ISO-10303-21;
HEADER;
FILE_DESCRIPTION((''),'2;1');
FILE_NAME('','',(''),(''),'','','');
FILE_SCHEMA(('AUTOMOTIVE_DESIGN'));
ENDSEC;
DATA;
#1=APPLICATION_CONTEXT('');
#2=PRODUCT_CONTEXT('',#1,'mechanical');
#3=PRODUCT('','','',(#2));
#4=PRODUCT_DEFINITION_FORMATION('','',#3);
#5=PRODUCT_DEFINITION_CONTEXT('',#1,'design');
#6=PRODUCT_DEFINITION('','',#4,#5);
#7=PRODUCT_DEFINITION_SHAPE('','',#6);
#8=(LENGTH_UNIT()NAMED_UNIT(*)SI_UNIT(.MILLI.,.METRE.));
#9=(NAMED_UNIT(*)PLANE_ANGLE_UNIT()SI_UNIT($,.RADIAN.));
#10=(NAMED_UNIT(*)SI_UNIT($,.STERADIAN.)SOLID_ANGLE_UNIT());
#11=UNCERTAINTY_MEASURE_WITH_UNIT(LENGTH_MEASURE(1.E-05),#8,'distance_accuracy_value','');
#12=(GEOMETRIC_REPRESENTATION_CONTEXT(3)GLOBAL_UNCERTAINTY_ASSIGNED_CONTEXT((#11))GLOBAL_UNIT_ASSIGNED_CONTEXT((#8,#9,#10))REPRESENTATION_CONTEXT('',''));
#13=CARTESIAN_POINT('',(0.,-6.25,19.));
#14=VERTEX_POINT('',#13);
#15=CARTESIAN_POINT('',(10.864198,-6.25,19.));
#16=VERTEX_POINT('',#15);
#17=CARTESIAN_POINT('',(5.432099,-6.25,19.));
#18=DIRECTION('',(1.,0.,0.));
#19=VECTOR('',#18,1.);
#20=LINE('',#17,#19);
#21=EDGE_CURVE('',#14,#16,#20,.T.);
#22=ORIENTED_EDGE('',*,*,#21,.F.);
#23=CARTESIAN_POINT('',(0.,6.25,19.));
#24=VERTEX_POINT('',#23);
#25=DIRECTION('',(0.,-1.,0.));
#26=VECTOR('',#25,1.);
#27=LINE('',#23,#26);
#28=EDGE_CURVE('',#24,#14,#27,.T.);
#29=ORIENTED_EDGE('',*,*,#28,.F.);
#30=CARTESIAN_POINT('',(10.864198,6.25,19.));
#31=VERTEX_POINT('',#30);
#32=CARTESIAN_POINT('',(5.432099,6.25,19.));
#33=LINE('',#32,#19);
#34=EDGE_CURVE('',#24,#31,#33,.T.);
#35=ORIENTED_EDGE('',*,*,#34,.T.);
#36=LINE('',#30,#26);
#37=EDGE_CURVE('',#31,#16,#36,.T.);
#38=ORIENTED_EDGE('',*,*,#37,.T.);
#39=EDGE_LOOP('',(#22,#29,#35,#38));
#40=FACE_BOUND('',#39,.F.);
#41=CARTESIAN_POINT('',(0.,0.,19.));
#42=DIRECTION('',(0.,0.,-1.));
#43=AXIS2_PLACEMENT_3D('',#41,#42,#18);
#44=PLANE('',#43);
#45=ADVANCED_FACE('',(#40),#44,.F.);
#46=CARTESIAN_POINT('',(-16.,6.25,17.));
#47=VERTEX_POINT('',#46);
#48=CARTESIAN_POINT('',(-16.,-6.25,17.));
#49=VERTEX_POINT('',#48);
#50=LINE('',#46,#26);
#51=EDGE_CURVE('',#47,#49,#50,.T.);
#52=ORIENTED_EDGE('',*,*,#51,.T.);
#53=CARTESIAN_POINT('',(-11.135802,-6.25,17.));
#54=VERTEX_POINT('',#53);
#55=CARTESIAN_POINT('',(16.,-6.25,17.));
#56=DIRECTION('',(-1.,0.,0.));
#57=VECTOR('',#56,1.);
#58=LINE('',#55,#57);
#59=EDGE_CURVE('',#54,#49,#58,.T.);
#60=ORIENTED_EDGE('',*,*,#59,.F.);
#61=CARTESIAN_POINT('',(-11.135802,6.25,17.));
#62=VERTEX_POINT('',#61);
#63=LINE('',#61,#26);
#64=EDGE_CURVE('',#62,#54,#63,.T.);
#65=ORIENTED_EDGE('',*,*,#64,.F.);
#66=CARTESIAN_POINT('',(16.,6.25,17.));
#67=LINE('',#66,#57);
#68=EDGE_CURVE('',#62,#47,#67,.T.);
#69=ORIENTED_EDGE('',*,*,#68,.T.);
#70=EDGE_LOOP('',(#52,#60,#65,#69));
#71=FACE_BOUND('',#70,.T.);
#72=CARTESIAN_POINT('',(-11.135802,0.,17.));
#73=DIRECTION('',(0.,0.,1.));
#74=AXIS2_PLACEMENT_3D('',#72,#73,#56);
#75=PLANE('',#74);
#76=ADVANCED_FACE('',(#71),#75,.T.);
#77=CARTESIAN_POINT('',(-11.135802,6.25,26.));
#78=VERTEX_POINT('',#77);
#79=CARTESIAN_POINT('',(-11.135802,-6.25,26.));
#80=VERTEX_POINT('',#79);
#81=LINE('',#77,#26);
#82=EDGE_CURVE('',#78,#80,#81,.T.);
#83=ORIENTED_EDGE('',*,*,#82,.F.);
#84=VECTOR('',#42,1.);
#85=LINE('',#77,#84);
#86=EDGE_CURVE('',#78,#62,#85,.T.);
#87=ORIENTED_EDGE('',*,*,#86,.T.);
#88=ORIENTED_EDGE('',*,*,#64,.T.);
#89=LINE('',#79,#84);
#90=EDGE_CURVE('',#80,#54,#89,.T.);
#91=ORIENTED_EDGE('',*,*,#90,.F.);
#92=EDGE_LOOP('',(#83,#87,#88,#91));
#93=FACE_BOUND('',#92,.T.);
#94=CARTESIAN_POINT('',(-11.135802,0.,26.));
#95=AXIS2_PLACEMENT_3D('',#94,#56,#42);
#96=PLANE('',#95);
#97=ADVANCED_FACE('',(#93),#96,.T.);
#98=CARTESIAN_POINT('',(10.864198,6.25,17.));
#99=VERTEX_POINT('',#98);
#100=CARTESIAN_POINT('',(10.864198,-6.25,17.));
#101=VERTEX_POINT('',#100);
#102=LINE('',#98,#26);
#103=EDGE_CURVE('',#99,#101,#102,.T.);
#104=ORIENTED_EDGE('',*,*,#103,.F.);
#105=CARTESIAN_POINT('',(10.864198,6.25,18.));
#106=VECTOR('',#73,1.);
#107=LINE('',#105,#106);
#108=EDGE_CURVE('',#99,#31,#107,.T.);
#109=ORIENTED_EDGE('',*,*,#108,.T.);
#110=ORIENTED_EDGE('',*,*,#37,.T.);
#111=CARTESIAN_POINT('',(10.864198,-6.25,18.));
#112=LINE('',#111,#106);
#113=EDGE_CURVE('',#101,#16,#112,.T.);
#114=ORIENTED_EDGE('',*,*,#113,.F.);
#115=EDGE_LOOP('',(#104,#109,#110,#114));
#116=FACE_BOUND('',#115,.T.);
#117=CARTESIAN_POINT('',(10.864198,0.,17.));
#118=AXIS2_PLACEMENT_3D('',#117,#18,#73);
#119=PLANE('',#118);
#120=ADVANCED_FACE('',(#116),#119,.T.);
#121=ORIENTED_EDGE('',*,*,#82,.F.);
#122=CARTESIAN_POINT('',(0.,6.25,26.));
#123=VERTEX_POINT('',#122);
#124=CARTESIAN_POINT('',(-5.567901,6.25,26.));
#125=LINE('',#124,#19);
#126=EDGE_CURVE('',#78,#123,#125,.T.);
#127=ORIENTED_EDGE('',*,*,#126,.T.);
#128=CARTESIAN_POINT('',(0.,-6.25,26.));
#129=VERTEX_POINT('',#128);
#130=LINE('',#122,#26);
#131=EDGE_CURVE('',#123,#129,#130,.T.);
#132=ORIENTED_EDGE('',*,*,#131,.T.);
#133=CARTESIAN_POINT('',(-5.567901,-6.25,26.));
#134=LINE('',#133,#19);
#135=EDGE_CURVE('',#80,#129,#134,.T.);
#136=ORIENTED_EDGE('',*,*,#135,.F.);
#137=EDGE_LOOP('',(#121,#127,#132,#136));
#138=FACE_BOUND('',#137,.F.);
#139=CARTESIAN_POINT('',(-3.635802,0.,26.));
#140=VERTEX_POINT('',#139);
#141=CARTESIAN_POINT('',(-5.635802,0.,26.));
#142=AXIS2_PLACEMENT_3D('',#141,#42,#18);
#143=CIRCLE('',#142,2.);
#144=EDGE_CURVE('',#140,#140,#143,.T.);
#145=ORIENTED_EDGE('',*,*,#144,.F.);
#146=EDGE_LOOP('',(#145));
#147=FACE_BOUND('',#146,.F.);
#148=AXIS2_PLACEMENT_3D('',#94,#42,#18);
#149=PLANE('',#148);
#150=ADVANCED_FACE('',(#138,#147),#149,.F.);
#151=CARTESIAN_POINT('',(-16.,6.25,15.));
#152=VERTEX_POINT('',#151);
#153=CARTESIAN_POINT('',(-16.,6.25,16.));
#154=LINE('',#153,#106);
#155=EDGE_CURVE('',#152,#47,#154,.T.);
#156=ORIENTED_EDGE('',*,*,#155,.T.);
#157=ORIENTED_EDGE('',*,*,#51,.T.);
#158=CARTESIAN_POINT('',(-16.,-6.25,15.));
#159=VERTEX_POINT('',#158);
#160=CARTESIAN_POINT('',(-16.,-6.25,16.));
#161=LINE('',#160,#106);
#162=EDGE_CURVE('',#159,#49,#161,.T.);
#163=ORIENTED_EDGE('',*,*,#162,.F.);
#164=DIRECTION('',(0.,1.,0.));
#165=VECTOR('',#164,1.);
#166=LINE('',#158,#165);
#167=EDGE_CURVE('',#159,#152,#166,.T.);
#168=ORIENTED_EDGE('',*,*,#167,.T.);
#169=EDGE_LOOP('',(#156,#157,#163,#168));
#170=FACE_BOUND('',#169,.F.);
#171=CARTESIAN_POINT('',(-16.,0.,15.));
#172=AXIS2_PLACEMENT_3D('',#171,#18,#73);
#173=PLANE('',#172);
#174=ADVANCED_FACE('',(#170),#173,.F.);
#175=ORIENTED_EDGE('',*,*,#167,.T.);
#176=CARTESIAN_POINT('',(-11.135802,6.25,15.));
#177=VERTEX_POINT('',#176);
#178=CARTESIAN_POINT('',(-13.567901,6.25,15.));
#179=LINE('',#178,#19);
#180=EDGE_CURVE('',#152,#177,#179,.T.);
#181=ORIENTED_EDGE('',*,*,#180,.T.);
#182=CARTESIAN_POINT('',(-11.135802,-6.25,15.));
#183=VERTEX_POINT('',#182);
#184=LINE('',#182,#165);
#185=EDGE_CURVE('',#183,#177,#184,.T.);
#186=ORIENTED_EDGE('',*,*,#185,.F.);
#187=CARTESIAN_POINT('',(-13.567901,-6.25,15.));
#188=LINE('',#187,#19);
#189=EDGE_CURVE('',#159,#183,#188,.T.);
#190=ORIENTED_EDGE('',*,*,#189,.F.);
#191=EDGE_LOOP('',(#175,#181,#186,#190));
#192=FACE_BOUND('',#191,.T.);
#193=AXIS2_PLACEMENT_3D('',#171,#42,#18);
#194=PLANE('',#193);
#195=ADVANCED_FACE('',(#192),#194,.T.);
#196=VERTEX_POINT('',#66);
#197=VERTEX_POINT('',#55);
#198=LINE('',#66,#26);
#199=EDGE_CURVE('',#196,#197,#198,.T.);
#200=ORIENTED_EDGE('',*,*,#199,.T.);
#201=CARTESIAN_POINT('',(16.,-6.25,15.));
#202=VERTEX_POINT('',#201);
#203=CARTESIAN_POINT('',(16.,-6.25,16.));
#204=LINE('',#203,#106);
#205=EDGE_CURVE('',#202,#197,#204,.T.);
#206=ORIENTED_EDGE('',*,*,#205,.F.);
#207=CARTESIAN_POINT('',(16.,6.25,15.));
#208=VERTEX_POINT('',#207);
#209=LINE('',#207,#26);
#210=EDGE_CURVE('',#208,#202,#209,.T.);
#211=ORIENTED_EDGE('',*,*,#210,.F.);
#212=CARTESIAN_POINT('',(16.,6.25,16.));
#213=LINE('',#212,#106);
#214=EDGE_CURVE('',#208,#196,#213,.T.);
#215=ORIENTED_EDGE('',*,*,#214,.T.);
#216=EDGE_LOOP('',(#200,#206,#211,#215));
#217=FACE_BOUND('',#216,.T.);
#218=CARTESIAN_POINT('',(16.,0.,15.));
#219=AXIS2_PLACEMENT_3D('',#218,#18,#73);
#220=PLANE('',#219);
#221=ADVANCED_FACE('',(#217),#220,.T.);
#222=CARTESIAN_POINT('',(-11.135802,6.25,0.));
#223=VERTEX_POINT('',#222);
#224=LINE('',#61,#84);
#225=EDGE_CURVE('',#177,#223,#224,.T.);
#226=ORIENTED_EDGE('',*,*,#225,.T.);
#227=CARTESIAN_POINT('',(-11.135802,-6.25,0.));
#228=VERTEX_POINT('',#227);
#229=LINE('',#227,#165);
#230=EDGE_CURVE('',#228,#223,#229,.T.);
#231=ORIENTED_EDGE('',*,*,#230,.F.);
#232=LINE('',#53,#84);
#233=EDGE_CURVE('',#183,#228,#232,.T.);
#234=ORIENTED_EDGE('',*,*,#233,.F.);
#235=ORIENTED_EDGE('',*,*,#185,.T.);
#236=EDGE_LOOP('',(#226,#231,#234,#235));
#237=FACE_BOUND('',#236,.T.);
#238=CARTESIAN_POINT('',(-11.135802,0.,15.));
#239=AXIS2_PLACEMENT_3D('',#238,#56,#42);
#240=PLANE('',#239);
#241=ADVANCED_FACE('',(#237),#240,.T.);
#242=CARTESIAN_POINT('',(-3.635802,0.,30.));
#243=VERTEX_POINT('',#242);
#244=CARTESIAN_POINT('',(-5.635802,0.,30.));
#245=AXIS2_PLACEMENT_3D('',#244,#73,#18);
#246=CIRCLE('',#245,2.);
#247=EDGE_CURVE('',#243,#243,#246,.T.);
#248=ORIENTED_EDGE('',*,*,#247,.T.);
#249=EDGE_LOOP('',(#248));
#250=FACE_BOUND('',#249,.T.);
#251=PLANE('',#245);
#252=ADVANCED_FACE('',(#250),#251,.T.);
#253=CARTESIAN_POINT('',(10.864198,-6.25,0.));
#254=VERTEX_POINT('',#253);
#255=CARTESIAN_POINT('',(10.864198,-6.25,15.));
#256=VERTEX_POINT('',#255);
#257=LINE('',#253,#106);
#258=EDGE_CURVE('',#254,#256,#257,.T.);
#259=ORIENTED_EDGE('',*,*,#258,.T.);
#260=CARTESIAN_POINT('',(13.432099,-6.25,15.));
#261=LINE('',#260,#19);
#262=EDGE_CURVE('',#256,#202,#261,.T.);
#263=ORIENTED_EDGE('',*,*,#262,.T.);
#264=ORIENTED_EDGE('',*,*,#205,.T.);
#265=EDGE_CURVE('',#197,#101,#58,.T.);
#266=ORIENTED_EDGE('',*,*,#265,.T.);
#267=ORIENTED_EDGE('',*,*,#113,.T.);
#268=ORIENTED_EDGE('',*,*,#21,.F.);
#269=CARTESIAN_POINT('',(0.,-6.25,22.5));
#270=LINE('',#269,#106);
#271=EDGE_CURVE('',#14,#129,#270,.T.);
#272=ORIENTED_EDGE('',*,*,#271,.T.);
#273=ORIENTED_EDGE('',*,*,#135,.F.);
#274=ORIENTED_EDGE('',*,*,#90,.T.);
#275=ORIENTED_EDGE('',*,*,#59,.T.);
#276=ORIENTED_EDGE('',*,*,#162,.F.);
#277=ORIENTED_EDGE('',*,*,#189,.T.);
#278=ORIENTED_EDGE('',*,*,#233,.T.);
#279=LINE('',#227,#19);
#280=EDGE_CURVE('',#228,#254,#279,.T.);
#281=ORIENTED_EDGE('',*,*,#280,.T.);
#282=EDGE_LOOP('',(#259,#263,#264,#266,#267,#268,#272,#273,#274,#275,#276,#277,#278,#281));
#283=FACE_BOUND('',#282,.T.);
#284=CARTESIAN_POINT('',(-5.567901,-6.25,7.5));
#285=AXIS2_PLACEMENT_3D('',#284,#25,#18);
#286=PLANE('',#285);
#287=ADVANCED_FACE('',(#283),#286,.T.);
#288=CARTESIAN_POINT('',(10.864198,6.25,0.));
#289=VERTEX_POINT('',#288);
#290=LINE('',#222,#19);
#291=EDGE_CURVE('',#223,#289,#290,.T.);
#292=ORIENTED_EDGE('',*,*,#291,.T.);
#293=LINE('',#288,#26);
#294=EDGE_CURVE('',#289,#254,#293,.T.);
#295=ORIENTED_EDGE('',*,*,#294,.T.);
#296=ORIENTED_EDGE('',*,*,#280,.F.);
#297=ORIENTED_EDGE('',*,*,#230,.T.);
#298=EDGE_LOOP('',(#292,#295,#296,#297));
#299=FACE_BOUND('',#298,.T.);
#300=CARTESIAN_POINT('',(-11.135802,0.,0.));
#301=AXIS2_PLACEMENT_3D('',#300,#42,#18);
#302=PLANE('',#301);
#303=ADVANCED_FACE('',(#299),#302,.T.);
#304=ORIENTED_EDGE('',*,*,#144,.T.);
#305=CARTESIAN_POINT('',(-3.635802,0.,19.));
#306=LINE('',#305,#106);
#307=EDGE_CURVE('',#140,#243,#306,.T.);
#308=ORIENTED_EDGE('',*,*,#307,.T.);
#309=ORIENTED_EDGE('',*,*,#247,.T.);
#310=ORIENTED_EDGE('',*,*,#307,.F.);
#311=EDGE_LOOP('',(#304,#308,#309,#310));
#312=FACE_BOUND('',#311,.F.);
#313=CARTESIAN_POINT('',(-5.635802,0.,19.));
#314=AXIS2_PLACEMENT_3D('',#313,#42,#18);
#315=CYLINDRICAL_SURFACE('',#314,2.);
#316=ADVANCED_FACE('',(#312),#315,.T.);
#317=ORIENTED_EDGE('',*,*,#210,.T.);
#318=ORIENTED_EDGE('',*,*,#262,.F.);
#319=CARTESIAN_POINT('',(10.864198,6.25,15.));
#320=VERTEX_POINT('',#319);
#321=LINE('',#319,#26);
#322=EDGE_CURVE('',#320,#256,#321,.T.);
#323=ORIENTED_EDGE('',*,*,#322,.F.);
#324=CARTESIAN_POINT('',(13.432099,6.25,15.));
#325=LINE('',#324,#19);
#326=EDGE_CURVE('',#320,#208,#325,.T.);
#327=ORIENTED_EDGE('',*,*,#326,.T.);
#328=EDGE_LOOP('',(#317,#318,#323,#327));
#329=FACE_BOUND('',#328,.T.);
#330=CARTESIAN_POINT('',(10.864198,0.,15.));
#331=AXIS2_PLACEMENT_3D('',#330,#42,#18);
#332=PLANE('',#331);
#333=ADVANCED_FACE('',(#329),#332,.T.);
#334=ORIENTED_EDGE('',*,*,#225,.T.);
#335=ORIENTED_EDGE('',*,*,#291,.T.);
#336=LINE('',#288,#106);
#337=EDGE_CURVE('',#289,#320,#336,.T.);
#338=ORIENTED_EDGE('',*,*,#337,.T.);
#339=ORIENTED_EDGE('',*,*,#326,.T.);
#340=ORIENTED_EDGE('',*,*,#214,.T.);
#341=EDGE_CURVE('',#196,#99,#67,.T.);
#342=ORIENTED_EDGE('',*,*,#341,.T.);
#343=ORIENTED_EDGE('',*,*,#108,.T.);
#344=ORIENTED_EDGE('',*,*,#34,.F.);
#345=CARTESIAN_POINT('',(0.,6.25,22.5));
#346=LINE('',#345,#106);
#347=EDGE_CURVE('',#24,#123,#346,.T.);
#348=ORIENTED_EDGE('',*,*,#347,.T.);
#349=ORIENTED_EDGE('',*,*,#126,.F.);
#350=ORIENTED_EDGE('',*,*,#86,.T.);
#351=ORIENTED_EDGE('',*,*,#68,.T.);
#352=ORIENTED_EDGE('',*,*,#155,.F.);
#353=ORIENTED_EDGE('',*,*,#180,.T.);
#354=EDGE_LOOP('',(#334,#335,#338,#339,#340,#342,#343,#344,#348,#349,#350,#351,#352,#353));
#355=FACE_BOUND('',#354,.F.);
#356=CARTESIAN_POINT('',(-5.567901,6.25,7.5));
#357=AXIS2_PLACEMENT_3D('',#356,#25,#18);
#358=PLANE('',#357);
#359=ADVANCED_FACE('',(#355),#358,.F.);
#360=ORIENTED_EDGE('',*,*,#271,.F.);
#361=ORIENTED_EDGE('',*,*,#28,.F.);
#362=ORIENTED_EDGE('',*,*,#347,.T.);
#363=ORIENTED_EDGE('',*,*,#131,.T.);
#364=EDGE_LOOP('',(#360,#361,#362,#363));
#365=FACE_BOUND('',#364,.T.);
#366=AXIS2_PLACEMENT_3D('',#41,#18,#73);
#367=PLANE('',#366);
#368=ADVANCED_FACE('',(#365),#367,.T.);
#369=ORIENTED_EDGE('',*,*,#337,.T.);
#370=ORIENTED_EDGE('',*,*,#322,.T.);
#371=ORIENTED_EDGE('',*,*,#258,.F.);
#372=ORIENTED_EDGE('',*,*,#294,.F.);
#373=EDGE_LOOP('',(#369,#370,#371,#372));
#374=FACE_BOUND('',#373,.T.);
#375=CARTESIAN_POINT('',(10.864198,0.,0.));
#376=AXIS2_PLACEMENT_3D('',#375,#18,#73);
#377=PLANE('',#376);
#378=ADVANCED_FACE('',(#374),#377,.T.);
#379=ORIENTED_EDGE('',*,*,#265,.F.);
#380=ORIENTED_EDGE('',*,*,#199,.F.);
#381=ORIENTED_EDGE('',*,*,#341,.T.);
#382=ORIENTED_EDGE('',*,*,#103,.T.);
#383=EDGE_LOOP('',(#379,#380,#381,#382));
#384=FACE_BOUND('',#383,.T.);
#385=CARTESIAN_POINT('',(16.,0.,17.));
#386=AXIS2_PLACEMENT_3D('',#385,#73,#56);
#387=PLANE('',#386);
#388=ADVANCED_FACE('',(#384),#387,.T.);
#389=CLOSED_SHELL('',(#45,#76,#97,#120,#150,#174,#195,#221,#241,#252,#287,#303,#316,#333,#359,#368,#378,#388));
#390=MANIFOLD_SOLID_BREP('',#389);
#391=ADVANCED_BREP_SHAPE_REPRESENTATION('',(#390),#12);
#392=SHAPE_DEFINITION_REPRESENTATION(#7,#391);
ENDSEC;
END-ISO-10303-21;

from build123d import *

# Parameters (mm, degrees)
F0_W     = 11.1358017506
F0_H     = 15
F0_W_2   = 10.8641982494
F0_H_2   = 2
F0_W_3   = 4.8641982494
F0_W_4   = 5.1358017506
F0_H_3   = 7
F1_DEPTH = 6.25
F2_R     = 2
F3_DEPTH = 11


with BuildPart() as f1:
    # F0 (on Front) → F1 (new body, symmetric)
    with BuildSketch(Plane.XZ):
        with Locations((-5.5679008753, 7.5)):
            Rectangle(F0_W, F0_H)
        with Locations((5.4320991247, 16)):
            Rectangle(F0_W_2, F0_H_2)
        with Locations((-5.5679008753, 16)):
            Rectangle(F0_W, F0_H_2)
        with Locations((-13.5679008753, 16)):
            Rectangle(F0_W_3, F0_H_2)
        with Locations((5.4320991247, 7.5)):
            Rectangle(F0_W_2, F0_H)
        with Locations((13.4320991247, 16)):
            Rectangle(F0_W_4, F0_H_2)
        with Locations((5.4320991247, 18)):
            Rectangle(F0_W_2, F0_H_2)
        with Locations((-5.5679008753, 22.5)):
            Rectangle(F0_W, F0_H_3)
        with Locations((-5.5679008753, 18)):
            Rectangle(F0_W, F0_H_2)
    extrude(amount=F1_DEPTH, both=True)

    # F2 (on face) → F3 (join)
    with BuildSketch(Plane.XY.offset(19)):
        with Locations((-5.6358017506, 0)):
            Circle(F2_R)
    extrude(amount=F3_DEPTH)


solid = f1.part
